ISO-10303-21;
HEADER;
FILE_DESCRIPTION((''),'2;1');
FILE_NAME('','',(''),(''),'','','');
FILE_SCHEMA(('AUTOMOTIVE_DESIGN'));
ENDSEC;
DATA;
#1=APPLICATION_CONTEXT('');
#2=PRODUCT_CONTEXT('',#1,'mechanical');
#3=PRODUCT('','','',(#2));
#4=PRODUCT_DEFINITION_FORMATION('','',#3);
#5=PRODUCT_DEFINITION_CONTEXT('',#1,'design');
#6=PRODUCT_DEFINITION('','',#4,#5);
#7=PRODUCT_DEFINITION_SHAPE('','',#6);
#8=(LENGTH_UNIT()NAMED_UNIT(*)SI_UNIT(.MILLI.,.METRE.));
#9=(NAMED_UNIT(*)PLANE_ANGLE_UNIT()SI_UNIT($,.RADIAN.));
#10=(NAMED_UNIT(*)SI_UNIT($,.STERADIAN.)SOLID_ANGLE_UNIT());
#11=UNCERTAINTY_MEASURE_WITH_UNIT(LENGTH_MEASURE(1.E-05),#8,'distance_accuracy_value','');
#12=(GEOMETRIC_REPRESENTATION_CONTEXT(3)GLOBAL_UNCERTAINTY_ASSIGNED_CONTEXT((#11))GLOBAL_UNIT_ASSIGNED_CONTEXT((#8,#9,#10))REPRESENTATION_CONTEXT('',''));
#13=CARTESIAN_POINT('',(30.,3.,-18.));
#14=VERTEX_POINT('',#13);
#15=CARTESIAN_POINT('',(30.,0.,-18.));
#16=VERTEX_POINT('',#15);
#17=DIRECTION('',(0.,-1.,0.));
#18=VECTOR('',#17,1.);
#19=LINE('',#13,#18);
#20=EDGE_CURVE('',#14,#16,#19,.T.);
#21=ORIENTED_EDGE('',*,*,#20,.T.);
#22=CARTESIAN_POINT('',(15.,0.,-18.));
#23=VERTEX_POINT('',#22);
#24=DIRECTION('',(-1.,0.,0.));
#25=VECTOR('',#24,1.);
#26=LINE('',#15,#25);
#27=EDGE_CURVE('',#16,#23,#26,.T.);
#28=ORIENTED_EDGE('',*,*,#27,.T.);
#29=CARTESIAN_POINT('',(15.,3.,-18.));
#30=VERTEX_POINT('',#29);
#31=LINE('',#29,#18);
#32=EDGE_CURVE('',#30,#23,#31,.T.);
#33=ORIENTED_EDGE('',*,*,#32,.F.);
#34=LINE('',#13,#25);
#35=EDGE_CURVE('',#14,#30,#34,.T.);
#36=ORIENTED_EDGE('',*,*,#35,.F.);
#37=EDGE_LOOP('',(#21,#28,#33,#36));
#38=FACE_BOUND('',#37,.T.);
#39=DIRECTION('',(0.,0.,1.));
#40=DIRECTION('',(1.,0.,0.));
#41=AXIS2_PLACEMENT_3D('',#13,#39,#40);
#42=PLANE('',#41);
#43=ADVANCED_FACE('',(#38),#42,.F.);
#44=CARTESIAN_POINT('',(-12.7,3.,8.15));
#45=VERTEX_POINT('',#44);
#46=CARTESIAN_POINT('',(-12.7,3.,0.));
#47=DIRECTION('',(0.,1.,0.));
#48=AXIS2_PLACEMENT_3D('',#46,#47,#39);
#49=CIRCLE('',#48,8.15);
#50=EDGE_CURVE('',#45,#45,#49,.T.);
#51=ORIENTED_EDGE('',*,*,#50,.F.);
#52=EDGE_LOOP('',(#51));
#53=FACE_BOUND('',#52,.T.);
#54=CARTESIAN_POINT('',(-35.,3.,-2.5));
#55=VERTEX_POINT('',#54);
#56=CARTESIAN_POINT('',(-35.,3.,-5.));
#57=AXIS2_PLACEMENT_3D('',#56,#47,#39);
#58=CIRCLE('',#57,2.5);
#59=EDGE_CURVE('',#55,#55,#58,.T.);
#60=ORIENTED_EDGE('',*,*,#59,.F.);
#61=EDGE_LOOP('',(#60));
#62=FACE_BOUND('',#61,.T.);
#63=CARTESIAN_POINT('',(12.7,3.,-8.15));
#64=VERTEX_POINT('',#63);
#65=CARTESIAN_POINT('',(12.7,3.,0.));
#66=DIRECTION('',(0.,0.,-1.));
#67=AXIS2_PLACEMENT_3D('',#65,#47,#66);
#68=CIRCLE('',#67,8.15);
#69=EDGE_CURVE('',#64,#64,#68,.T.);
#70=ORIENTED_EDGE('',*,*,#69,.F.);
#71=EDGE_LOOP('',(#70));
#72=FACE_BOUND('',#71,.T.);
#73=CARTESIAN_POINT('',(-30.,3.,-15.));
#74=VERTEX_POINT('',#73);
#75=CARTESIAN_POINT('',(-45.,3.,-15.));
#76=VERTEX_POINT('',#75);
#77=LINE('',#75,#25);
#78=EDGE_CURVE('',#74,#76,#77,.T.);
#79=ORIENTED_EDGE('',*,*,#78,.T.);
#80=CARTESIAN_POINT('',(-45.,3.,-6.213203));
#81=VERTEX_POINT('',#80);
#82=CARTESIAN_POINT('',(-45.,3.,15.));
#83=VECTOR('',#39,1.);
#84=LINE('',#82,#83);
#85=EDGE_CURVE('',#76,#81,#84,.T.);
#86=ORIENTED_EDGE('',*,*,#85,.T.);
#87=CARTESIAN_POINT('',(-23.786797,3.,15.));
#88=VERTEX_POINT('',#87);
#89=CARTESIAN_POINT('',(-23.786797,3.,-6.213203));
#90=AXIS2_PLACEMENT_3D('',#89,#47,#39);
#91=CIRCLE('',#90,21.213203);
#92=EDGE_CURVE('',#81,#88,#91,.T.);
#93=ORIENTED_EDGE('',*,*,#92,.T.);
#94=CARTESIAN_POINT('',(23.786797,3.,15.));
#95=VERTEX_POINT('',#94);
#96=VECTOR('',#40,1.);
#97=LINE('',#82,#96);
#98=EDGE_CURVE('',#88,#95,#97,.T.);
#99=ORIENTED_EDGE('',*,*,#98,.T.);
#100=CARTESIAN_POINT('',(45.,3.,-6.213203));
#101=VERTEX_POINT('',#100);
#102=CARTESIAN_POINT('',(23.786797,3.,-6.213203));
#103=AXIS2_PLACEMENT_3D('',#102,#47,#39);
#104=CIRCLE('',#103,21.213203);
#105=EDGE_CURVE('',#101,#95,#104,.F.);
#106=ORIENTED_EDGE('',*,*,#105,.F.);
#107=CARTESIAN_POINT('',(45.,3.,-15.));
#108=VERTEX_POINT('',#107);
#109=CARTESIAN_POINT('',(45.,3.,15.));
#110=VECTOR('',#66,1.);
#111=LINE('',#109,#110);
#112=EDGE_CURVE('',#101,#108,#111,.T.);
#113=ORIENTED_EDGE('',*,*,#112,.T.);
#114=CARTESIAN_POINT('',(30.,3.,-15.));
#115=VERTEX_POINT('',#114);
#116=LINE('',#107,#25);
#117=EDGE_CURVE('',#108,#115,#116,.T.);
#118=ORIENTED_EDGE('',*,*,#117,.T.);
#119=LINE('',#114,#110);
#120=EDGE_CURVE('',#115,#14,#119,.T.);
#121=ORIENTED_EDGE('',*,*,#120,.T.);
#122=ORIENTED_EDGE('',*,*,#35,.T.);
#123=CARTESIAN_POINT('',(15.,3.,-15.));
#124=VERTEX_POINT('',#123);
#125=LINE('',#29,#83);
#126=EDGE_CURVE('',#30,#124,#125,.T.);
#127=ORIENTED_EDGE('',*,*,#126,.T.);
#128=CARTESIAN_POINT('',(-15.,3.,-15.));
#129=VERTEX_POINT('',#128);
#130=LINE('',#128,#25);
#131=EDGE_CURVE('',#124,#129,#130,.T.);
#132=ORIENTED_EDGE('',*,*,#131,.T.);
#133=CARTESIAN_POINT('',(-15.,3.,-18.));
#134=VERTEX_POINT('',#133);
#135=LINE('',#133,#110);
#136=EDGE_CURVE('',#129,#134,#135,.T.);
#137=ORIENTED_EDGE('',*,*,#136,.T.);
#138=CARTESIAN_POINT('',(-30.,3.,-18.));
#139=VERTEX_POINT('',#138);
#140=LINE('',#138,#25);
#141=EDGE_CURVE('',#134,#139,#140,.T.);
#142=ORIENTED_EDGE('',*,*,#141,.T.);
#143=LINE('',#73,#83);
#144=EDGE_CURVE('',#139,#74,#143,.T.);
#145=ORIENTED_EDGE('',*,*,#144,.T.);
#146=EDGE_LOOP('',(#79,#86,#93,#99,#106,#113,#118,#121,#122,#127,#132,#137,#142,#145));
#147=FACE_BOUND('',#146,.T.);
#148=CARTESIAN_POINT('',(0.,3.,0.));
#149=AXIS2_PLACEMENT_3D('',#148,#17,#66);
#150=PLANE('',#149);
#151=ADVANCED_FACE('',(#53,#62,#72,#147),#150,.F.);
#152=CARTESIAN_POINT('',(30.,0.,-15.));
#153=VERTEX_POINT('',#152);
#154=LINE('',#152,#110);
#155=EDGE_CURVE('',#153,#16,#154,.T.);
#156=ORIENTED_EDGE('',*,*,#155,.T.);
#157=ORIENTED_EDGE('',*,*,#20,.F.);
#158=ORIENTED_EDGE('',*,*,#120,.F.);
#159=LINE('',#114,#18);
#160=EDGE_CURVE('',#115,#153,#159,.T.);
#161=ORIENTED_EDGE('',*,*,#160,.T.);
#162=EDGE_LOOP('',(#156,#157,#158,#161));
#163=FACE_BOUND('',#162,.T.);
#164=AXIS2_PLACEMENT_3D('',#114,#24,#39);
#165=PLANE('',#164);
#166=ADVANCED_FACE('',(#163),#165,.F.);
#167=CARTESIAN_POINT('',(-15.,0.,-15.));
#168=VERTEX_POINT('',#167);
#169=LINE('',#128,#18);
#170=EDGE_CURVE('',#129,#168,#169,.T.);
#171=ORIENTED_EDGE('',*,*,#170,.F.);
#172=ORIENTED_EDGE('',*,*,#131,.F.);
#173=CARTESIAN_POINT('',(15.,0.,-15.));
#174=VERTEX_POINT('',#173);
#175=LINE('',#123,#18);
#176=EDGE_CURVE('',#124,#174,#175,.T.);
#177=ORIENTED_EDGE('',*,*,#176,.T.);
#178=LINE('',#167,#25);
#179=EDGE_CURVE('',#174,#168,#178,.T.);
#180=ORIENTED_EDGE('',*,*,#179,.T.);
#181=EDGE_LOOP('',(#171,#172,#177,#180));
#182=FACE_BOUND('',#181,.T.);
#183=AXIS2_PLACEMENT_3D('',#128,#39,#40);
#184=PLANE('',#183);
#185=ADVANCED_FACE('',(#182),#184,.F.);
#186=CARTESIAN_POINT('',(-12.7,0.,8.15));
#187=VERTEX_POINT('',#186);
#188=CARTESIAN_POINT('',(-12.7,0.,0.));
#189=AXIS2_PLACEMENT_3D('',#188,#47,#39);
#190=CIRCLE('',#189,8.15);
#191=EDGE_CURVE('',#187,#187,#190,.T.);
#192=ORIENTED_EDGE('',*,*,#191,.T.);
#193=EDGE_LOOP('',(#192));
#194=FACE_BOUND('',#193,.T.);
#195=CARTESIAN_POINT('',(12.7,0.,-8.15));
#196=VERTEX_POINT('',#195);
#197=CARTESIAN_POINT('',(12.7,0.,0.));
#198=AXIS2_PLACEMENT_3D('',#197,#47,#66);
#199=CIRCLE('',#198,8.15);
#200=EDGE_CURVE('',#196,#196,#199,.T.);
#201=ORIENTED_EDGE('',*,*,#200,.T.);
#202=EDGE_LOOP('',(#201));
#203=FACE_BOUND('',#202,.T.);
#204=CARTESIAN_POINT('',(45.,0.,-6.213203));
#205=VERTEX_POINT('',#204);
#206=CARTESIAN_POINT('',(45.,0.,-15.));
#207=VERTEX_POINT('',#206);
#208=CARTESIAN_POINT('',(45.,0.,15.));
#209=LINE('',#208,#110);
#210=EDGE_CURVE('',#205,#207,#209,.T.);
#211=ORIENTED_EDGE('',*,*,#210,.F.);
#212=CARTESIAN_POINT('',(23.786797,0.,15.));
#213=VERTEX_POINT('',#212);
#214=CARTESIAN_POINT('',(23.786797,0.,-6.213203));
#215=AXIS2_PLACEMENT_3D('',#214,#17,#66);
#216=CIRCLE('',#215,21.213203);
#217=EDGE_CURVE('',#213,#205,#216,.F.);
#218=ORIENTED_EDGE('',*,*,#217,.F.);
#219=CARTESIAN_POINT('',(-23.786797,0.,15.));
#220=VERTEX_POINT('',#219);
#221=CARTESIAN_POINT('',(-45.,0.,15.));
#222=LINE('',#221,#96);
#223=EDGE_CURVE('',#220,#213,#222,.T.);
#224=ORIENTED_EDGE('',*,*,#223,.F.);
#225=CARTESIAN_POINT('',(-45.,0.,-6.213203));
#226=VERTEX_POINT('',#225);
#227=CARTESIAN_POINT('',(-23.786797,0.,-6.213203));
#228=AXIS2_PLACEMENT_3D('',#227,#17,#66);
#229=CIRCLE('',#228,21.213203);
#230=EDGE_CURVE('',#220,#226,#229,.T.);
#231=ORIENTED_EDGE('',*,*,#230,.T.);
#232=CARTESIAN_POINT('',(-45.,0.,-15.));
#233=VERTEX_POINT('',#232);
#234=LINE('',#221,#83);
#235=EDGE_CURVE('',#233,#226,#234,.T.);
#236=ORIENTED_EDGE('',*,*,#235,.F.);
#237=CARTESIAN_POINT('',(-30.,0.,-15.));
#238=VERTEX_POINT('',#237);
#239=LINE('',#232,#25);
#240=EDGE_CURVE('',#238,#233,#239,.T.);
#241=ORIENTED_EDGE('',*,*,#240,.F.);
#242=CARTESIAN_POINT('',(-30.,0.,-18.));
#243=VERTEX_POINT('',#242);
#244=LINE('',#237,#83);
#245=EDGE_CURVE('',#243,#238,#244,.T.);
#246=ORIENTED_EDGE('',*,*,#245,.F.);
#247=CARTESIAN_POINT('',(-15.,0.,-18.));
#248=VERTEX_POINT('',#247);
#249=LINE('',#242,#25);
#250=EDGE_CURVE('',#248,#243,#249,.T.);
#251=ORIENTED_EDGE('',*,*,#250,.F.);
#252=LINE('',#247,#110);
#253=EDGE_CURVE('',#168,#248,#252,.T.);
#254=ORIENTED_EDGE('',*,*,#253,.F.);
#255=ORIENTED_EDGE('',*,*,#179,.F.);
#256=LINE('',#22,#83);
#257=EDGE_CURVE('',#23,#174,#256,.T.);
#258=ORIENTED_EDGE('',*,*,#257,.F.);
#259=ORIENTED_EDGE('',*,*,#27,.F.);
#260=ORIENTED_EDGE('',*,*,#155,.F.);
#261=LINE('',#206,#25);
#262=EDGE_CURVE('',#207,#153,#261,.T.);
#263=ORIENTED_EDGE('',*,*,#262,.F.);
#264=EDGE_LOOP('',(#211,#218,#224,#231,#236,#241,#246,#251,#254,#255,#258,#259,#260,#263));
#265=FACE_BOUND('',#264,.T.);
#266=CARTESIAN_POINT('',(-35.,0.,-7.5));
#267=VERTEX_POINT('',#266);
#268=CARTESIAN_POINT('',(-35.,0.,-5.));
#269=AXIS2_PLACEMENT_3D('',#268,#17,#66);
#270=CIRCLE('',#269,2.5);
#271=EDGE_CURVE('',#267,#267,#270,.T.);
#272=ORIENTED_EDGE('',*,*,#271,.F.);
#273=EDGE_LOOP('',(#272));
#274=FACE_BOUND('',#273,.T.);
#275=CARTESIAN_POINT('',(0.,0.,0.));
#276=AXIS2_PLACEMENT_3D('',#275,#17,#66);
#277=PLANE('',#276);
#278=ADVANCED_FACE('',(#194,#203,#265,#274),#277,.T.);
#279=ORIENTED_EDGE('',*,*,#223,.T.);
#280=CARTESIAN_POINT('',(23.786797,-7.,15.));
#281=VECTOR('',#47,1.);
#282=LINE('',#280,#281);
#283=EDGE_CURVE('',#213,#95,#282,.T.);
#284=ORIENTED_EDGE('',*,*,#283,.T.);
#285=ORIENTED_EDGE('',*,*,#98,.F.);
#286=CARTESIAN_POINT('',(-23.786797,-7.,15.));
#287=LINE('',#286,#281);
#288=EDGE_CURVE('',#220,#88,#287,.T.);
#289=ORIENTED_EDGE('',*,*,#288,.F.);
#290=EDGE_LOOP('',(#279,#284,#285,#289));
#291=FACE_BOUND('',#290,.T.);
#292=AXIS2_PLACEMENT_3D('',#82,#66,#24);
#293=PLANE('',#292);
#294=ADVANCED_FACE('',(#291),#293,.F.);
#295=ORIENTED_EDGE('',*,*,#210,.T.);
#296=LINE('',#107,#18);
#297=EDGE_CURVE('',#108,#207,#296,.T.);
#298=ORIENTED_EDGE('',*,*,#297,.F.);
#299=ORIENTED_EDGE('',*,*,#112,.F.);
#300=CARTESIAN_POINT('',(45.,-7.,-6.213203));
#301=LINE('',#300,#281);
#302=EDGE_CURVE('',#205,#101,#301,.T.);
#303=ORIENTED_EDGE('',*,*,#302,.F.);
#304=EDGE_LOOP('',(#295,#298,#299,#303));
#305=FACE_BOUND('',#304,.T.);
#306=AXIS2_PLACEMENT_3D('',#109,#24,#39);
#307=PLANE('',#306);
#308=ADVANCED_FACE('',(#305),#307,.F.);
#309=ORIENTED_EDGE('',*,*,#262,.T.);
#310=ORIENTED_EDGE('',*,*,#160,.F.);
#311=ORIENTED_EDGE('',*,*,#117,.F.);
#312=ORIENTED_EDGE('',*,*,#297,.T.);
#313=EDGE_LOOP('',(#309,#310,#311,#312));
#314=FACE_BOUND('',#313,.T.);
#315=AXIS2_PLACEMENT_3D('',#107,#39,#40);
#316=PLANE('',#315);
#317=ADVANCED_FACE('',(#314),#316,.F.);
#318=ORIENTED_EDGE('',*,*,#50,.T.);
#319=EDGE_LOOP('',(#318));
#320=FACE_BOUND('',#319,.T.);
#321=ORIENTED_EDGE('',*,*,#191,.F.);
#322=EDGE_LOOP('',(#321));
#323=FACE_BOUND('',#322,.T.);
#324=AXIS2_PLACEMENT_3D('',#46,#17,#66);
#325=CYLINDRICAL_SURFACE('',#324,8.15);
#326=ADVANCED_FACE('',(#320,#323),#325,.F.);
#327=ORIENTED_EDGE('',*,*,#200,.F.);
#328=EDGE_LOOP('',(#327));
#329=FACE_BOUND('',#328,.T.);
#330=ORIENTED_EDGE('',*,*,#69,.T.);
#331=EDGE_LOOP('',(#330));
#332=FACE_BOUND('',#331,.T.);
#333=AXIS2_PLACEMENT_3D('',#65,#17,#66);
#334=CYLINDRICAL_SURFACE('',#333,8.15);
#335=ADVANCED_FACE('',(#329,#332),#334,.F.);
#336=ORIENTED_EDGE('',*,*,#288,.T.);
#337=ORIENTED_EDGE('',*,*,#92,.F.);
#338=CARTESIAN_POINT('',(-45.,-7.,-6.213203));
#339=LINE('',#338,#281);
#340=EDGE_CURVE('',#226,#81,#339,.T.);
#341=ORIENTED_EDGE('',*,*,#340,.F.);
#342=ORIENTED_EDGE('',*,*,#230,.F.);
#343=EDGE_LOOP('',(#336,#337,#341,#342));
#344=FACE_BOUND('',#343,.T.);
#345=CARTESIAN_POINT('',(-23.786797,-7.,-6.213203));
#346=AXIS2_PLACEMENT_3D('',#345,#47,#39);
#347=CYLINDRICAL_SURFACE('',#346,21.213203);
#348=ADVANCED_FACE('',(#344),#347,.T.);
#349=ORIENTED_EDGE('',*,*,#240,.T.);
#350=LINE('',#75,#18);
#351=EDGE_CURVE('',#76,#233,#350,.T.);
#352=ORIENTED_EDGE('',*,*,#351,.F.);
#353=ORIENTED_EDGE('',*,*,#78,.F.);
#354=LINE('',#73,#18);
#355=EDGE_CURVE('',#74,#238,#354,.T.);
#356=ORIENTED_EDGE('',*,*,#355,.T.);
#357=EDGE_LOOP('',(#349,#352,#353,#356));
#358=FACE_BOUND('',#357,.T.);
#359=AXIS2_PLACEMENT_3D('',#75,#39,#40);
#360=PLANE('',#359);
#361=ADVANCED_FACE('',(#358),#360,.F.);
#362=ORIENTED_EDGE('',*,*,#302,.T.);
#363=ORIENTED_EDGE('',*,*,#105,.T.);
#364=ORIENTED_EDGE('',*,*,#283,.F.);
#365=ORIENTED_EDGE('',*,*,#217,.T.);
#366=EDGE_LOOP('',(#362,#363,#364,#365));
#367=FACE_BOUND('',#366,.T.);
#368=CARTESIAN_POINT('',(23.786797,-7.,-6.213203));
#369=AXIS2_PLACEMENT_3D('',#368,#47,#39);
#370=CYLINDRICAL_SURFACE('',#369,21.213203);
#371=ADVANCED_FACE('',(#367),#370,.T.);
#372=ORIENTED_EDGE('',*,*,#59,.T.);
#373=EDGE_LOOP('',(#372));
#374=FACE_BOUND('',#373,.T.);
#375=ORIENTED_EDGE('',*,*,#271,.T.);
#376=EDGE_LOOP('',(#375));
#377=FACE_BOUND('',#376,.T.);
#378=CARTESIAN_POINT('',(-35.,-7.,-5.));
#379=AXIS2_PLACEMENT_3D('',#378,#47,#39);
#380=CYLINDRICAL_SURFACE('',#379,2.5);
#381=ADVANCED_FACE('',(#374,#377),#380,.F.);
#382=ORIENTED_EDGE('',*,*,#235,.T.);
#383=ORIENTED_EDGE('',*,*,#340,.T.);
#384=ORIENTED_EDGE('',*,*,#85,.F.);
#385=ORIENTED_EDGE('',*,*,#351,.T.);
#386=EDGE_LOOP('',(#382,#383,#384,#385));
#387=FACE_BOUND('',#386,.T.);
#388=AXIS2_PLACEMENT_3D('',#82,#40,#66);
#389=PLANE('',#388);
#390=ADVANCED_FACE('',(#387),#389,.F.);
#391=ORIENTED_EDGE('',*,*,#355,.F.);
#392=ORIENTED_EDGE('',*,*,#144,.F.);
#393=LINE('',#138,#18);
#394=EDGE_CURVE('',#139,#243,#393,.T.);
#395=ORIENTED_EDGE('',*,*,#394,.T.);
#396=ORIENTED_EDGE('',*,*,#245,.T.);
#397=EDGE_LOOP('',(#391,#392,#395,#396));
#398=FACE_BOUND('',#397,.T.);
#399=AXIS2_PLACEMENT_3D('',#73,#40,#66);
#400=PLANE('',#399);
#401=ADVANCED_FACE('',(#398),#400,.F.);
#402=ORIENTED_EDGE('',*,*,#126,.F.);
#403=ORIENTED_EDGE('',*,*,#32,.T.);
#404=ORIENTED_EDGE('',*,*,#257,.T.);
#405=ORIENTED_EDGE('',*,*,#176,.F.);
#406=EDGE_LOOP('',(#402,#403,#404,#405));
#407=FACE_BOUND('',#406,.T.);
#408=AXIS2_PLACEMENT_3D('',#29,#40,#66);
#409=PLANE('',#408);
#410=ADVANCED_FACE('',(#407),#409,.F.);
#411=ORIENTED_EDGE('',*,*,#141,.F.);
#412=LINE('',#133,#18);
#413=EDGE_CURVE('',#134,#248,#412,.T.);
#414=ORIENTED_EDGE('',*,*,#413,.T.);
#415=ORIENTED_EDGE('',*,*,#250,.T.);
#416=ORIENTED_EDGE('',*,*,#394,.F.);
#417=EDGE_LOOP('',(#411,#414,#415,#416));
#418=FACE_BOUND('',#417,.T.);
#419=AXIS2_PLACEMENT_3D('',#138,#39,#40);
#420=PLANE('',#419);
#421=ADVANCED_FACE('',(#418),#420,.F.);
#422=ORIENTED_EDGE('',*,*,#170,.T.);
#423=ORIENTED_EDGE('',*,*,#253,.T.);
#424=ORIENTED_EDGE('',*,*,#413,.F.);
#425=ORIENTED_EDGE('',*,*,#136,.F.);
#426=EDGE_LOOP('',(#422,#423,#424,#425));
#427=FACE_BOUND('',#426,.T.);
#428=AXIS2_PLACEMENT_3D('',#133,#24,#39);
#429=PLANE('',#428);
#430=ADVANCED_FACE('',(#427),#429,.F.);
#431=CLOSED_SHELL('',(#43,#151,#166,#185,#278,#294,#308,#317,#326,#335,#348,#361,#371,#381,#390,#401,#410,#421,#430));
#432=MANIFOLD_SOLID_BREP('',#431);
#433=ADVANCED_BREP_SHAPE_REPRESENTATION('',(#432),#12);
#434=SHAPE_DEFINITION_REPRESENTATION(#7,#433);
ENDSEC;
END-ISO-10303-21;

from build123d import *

# Parameters (mm, degrees)
BOSS_EXTRUDE1_DEPTH = 3
SKETCH2_R           = 8.15
CUT_EXTRUDE4_DEPTH  = 49.559242169
SKETCH3_R           = 2.5
CUT_EXTRUDE5_DEPTH  = 10
CUT_EXTRUDE6_DEPTH  = 10


with BuildPart() as part:
    # Sketch1 → Boss-Extrude1 (new body)
    with BuildSketch(Plane(origin=(0, 0, 0), x_dir=(1, 0, 0), z_dir=(0, 1, 0))):
        Polygon((-45, 15), (-30, 15), (-30, 18), (-15, 18), (-15, 15), (15, 15), (15, 18), (30, 18), (30, 15), (45, 15), (45, -15), (-45, -15), align=None)
    extrude(amount=BOSS_EXTRUDE1_DEPTH)

    # Sketch2 → Cut-Extrude4 (cut, through all)
    with BuildSketch(Plane(origin=(0, 0, 0), x_dir=(1, 0, 0), z_dir=(0, 1, 0))):
        with Locations(Location((-12.7, 0, 0), (0, 0, 270))):
            Circle(SKETCH2_R)
        with Locations(Location((12.7, 0, 0), (0, 0, 90))):
            Circle(SKETCH2_R)
    extrude(amount=CUT_EXTRUDE4_DEPTH, mode=Mode.SUBTRACT)

    # Sketch3 → Cut-Extrude5 (cut)
    with BuildSketch(Plane(origin=(0, 3, 0), x_dir=(1, 0, 0), z_dir=(0, 1, 0))):
        with Locations(Location((-35, 5, 0), (0, 0, 270))):
            Circle(SKETCH3_R)
    extrude(amount=-CUT_EXTRUDE5_DEPTH, mode=Mode.SUBTRACT)

    # Sketch4 → Cut-Extrude6 (cut)
    with BuildSketch(Plane(origin=(0, 3, 0), x_dir=(1, 0, 0), z_dir=(0, 1, 0))):
        with BuildLine():
            ThreePointArc((-23.786796564, -15), (-38.786796564, -8.786796564), (-45, 6.213203436))
            Line((-45, 6.213203436), (-45, -15))
            Line((-45, -15), (-23.786796564, -15))
        make_face()
        with BuildLine():
            ThreePointArc((45, 6.213203436), (38.786796564, -8.786796564), (23.786796564, -15))
            Line((23.786796564, -15), (45, -15))
            Line((45, -15), (45, 6.213203436))
        make_face()
    extrude(amount=-CUT_EXTRUDE6_DEPTH, mode=Mode.SUBTRACT)


solid = part.part
